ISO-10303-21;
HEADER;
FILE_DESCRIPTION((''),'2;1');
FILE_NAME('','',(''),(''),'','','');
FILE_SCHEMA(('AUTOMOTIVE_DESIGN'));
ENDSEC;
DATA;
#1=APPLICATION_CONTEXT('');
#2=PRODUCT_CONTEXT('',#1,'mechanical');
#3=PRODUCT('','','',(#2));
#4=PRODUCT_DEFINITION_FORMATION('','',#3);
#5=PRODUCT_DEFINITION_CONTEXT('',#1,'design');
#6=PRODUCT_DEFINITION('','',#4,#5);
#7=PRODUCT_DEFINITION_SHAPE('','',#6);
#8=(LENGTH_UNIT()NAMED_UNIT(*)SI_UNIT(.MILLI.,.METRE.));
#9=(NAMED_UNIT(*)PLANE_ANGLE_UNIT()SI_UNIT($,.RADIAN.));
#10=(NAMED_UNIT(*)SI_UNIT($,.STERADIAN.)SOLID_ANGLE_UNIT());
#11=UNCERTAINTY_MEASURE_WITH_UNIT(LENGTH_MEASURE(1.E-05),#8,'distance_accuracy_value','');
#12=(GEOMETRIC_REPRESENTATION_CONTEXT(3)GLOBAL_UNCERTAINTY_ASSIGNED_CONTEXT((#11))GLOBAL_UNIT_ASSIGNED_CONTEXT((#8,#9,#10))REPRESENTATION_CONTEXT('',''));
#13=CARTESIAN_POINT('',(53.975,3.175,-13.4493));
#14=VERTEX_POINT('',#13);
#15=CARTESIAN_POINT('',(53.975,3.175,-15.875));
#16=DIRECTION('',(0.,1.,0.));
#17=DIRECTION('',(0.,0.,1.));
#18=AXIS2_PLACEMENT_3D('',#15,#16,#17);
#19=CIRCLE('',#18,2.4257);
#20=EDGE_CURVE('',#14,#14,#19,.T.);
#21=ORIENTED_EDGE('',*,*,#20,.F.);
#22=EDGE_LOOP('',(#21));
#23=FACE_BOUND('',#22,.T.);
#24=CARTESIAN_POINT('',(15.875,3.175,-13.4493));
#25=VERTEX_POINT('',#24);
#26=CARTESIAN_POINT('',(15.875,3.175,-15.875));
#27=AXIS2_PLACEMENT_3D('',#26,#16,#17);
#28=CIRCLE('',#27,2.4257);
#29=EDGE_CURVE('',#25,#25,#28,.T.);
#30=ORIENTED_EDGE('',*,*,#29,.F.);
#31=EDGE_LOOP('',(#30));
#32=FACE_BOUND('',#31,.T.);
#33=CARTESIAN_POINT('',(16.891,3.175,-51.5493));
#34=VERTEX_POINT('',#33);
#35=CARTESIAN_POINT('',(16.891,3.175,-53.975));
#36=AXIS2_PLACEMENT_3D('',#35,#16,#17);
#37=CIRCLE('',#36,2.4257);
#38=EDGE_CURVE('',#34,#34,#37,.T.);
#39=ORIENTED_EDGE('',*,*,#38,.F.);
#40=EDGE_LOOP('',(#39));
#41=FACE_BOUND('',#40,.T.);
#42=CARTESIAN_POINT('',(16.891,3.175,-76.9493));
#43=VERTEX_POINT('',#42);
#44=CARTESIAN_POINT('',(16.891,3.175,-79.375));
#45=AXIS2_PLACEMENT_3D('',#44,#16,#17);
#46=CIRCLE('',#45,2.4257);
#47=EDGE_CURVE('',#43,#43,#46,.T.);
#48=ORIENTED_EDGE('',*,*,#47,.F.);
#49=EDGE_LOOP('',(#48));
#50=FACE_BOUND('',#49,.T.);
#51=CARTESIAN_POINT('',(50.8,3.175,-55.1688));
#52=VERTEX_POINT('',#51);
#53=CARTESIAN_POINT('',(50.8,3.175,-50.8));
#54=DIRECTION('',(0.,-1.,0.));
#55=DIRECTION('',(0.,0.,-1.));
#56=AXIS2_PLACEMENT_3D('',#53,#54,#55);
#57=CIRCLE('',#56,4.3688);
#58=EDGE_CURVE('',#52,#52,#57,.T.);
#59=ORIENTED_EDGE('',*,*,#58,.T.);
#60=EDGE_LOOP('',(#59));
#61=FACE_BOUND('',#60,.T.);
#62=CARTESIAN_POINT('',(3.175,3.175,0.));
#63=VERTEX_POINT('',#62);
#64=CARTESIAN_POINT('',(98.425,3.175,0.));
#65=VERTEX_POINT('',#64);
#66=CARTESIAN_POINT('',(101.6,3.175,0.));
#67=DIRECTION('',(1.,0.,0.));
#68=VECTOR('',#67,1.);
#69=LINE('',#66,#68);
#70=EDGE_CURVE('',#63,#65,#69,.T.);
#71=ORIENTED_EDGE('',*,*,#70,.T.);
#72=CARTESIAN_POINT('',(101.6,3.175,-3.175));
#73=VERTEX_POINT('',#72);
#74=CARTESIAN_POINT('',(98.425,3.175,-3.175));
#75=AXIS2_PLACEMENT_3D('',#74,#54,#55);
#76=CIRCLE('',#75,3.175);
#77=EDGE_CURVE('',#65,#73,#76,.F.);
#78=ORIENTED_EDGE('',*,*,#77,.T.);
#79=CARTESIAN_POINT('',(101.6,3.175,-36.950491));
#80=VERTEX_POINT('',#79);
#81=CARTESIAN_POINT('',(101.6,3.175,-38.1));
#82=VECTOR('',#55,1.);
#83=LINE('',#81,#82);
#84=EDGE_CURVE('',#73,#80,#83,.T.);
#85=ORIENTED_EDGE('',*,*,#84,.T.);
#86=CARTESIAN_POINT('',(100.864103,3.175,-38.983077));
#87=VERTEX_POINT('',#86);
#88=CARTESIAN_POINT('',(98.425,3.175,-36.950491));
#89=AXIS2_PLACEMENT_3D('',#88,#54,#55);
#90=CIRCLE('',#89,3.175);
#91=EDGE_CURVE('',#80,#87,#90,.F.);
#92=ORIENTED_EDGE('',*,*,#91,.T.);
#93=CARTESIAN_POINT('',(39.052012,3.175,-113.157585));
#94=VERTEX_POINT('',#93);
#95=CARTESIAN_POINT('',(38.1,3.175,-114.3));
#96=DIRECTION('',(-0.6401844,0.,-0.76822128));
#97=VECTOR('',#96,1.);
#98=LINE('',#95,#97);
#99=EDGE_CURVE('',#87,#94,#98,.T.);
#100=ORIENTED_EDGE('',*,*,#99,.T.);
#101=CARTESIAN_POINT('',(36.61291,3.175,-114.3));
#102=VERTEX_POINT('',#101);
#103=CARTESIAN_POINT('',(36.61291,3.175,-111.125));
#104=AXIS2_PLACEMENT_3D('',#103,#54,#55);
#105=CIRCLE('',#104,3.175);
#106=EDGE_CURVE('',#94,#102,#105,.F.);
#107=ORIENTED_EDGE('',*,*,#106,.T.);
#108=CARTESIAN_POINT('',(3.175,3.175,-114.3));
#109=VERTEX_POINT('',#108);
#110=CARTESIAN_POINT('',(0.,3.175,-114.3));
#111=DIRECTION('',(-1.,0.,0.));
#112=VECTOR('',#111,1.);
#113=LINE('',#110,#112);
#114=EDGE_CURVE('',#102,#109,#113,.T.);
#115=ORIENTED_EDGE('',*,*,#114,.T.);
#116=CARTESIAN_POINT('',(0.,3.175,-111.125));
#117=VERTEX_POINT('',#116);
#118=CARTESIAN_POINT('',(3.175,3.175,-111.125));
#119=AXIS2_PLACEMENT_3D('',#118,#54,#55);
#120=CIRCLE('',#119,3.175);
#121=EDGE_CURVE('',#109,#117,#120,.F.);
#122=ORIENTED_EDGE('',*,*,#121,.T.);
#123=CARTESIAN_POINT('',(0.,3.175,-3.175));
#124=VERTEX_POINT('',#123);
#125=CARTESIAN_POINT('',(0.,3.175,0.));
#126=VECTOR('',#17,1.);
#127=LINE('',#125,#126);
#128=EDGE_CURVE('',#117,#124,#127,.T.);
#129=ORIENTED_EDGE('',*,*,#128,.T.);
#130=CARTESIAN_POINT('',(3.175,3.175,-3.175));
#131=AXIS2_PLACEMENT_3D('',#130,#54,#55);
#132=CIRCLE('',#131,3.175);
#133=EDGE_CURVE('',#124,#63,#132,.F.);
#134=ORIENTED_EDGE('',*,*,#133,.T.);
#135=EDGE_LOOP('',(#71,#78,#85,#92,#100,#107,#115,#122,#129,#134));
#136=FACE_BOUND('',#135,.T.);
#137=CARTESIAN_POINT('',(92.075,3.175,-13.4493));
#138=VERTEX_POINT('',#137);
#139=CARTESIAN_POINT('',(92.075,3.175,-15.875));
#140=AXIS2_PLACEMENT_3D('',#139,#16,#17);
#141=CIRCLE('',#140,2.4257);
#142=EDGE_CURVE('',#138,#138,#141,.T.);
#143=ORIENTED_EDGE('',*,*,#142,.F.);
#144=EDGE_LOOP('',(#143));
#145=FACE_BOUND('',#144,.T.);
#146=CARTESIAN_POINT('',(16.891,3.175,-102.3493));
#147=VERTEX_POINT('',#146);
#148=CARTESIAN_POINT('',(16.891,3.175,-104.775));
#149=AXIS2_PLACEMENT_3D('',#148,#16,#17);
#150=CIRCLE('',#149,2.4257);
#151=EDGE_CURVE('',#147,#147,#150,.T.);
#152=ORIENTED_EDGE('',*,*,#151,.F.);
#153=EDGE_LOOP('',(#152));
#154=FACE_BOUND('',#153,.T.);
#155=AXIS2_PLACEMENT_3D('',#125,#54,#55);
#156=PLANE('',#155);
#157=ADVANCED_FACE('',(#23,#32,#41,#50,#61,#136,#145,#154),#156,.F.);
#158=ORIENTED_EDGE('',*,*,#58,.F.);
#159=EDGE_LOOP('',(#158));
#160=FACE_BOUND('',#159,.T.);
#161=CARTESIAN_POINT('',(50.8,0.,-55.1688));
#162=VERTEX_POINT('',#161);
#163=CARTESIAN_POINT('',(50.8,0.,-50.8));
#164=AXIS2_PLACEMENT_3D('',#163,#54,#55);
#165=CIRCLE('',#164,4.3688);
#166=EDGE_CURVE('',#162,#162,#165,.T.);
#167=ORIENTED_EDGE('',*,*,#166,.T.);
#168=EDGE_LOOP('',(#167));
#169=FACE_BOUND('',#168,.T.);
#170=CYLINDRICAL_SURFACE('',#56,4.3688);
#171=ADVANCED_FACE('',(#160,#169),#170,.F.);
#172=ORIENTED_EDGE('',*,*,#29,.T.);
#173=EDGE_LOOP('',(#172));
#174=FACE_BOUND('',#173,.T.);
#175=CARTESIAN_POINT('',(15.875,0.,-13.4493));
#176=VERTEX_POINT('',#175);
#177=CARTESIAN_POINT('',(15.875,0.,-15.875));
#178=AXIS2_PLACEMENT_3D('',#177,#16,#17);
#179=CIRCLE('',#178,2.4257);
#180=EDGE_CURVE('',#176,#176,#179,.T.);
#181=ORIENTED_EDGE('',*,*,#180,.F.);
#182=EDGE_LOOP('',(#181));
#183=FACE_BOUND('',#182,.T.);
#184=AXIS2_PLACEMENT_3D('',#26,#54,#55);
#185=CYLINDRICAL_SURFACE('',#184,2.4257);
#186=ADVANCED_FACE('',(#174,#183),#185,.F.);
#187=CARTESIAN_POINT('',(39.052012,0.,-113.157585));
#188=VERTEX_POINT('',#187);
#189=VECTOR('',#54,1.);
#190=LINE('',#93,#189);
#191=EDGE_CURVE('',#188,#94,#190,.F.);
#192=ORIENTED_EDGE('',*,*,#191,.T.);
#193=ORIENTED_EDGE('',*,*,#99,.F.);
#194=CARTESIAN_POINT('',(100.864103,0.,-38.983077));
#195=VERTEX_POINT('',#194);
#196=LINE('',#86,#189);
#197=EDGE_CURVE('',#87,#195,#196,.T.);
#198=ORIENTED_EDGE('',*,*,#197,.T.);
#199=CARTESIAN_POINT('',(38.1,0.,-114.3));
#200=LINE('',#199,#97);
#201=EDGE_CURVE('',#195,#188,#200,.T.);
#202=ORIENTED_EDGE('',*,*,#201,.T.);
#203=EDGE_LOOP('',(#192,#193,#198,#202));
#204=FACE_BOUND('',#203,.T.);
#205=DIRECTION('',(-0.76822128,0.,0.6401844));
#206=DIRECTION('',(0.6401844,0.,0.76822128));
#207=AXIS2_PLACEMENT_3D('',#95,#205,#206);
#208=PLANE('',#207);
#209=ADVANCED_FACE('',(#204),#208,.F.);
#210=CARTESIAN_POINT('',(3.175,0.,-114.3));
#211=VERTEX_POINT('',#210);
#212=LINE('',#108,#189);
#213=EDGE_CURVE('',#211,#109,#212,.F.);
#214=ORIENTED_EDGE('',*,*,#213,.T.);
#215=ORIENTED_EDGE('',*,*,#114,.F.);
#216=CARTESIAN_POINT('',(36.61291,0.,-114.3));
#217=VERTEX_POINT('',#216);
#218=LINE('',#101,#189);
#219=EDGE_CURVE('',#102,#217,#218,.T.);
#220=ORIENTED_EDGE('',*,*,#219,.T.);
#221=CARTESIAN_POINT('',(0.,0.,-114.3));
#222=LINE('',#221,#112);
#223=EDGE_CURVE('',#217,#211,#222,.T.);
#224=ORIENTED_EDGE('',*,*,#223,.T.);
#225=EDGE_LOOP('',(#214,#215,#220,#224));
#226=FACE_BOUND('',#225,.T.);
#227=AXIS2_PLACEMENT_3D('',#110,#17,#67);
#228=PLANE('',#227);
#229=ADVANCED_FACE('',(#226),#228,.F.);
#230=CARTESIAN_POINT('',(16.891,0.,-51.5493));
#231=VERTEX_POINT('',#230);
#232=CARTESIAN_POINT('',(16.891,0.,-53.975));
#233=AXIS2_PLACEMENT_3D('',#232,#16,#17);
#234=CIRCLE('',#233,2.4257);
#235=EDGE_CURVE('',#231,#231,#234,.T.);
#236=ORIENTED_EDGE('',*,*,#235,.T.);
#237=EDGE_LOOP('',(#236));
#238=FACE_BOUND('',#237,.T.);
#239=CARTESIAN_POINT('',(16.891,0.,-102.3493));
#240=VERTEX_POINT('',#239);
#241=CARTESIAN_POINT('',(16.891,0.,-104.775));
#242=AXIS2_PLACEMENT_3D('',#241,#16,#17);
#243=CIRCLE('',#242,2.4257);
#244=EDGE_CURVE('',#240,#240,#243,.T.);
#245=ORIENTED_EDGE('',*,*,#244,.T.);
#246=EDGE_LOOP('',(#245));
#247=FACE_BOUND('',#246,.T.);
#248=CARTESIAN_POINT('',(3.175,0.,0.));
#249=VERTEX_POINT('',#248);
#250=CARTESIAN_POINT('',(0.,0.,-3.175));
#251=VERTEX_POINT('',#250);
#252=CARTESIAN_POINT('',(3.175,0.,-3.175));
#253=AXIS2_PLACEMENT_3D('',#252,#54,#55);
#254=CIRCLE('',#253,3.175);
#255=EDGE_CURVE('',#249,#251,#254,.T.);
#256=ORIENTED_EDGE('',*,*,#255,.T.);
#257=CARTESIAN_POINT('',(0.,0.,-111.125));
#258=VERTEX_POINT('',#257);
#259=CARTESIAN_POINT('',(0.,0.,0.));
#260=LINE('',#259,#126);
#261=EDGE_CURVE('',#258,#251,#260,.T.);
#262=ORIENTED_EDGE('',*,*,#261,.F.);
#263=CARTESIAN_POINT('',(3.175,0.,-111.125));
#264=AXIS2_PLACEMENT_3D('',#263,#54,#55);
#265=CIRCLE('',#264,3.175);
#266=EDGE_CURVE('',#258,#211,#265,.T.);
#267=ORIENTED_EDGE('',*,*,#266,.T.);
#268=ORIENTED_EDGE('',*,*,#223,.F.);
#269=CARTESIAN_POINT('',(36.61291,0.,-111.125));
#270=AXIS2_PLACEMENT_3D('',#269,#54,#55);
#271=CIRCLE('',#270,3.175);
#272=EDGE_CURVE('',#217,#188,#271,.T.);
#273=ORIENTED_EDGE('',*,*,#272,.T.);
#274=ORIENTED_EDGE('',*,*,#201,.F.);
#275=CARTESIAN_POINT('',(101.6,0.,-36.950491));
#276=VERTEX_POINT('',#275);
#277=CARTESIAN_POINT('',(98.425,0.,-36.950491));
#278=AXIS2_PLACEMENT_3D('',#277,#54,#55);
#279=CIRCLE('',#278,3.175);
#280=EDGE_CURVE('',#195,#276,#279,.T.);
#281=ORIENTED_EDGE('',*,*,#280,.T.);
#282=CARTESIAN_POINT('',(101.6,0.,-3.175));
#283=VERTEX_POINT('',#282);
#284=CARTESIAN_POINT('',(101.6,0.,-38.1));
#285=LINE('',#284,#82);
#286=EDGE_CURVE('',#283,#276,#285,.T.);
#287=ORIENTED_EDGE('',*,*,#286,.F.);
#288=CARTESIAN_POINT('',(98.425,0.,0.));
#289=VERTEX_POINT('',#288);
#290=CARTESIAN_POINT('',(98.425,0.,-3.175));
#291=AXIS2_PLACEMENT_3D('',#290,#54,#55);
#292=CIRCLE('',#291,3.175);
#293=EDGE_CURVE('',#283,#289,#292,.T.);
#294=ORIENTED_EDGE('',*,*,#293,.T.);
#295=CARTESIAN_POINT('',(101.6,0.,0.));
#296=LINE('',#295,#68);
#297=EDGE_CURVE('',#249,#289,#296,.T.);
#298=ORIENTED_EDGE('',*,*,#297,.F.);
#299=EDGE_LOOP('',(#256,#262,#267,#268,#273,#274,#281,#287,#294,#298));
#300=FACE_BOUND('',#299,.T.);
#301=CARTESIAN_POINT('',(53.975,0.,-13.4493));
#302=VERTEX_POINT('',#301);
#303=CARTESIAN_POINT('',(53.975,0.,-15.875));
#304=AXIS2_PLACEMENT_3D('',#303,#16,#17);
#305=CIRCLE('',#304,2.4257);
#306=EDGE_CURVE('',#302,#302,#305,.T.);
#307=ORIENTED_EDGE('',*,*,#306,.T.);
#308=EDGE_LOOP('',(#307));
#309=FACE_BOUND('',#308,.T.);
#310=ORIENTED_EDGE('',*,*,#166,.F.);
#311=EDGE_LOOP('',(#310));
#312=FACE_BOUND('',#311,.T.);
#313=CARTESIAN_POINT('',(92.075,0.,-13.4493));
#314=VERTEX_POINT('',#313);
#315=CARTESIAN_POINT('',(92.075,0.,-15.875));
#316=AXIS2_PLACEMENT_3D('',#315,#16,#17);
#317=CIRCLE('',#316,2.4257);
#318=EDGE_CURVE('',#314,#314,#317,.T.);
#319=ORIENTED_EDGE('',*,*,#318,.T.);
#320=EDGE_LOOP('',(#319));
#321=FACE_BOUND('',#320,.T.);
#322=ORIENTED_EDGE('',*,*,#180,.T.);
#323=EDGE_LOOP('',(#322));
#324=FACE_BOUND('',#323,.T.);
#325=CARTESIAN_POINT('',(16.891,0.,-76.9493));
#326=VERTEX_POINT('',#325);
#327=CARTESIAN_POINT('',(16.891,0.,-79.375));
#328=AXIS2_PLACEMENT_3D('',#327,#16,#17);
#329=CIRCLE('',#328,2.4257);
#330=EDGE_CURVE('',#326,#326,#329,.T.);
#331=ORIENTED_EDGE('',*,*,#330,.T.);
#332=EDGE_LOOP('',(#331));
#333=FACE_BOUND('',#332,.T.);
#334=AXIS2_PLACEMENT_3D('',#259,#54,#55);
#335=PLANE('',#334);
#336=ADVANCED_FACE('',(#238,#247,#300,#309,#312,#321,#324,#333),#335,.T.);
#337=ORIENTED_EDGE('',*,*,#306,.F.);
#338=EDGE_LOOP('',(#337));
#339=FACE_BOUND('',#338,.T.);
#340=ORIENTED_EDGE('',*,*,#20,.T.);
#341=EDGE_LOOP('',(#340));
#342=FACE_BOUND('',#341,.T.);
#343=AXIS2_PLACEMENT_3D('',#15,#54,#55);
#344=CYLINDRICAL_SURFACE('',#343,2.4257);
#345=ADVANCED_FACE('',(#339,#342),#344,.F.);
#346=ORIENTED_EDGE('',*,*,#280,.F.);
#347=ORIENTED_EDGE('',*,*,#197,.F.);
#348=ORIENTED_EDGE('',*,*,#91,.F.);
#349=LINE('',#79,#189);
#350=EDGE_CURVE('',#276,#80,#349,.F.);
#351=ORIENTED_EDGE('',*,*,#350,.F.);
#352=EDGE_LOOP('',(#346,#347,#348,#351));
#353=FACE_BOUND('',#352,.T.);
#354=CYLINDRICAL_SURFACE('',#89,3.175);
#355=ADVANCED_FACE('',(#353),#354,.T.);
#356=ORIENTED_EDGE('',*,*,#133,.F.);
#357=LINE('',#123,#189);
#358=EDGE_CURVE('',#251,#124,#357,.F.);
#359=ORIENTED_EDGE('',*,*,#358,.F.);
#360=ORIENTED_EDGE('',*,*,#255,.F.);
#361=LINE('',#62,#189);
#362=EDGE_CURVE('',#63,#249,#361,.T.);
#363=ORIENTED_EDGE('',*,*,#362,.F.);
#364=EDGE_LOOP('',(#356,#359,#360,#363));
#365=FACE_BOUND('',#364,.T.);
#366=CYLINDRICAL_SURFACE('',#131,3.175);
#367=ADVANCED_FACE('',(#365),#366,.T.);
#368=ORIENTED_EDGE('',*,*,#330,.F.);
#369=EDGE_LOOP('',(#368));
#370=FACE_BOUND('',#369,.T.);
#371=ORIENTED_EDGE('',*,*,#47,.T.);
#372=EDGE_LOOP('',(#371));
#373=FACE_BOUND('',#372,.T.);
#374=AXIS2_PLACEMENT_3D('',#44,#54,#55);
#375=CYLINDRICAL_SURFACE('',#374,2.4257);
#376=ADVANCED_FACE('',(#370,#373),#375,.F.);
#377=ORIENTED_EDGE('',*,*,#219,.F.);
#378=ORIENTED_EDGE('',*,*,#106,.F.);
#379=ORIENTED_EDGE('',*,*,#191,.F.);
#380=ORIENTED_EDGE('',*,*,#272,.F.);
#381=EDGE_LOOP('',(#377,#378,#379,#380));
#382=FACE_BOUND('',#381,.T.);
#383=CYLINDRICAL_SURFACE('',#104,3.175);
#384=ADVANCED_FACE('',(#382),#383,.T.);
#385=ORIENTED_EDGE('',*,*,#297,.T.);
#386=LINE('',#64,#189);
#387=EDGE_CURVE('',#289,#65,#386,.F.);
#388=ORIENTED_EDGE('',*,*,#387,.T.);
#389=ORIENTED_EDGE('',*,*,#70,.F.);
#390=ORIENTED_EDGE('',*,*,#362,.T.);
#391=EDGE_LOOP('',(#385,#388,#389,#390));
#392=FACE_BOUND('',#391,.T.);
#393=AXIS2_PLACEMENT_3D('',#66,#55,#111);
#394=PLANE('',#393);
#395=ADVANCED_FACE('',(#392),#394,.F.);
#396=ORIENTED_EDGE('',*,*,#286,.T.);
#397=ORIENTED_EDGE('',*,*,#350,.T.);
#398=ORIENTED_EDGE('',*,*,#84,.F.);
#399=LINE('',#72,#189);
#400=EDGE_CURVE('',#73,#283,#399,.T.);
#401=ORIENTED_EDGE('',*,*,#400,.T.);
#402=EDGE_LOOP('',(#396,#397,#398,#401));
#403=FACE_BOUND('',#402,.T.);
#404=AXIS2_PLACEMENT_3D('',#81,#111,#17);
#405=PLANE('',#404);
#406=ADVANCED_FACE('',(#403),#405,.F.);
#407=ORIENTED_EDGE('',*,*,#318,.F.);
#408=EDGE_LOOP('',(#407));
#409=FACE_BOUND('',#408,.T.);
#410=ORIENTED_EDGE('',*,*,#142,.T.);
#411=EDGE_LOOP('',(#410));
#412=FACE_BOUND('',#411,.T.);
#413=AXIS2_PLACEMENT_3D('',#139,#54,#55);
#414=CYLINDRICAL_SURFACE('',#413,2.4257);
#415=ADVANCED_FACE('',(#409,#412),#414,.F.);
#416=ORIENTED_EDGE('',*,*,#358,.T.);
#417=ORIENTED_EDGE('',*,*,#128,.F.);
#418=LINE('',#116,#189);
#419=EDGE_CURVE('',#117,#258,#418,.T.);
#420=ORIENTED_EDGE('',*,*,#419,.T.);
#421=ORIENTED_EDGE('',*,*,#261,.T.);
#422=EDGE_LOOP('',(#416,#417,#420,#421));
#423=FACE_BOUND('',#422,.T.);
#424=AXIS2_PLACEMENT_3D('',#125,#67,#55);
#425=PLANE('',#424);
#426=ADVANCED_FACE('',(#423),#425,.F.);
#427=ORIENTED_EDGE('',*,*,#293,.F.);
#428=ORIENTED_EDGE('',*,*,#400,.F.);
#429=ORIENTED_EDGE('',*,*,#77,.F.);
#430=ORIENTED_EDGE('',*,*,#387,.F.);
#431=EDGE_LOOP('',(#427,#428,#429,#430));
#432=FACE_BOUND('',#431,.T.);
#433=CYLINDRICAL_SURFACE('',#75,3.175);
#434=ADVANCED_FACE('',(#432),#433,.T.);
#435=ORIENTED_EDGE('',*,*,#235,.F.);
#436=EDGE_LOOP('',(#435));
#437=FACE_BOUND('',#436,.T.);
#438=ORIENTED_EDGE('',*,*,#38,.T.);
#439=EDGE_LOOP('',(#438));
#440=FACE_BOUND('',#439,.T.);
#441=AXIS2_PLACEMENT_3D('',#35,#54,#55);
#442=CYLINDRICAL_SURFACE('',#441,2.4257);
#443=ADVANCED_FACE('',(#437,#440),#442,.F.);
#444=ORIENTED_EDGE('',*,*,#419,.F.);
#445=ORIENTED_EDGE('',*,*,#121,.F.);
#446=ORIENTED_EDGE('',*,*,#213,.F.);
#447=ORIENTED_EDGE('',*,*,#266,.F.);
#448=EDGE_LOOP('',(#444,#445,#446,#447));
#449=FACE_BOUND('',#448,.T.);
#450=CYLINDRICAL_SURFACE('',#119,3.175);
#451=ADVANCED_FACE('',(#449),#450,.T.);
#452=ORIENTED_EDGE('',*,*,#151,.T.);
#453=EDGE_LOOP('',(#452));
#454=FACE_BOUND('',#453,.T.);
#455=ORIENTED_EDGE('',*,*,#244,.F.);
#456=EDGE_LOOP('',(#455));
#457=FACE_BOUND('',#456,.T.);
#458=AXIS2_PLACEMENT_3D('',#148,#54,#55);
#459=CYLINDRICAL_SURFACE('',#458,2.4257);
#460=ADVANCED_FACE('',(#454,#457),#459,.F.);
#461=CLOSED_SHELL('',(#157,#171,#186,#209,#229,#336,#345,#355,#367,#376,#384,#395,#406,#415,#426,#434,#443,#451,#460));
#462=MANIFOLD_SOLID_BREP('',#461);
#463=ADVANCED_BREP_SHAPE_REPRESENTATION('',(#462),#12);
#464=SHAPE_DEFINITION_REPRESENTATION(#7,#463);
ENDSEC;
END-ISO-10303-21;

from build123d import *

# Parameters (mm, degrees)
SKETCH1_R           = 2.4257
BOSS_EXTRUDE1_DEPTH = 3.175
FILLET1_R           = 3.175
SKETCH2_R           = 4.3688
CUT_EXTRUDE1_DEPTH  = 153.961206275


with BuildPart() as part:
    # Sketch1 → Boss-Extrude1 (new body)
    with BuildSketch(Plane(origin=(0, 0, 0), x_dir=(1, 0, 0), z_dir=(0, 1, 0))):
        Polygon((0, 0), (0, 114.3), (38.1, 114.3), (101.6, 38.1), (101.6, 0), align=None)
        with Locations(Location((15.875, 15.875, 0), (0, 0, 270))):
            Circle(SKETCH1_R, mode=Mode.SUBTRACT)
        with Locations(Location((53.975, 15.875, 0), (0, 0, 270))):
            Circle(SKETCH1_R, mode=Mode.SUBTRACT)
        with Locations(Location((92.075, 15.875, 0), (0, 0, 270))):
            Circle(SKETCH1_R, mode=Mode.SUBTRACT)
        with Locations(Location((16.891, 53.975, 0), (0, 0, 270))):
            Circle(SKETCH1_R, mode=Mode.SUBTRACT)
        with Locations(Location((16.891, 79.375, 0), (0, 0, 270))):
            Circle(SKETCH1_R, mode=Mode.SUBTRACT)
        with Locations(Location((16.891, 104.775, 0), (0, 0, 270))):
            Circle(SKETCH1_R, mode=Mode.SUBTRACT)
    extrude(amount=BOSS_EXTRUDE1_DEPTH)

    # Fillet1
    fillet1_edges = [part.edges().sort_by_distance(p)[0] for p in [
        (0, 1.5875, 0),
        (0, 1.5875, -114.3),
        (38.1, 1.5875, -114.3),
        (101.6, 1.5875, -38.1),
        (101.6, 1.5875, 0),
    ]]
    fillet(fillet1_edges, radius=FILLET1_R)

    # Sketch2 → Cut-Extrude1 (cut, through all)
    with BuildSketch(Plane.XZ):
        with Locations(Location((50.8, -50.8, 0), (0, 0, 270))):
            Circle(SKETCH2_R)
    extrude(amount=-CUT_EXTRUDE1_DEPTH, mode=Mode.SUBTRACT)


solid = part.part
